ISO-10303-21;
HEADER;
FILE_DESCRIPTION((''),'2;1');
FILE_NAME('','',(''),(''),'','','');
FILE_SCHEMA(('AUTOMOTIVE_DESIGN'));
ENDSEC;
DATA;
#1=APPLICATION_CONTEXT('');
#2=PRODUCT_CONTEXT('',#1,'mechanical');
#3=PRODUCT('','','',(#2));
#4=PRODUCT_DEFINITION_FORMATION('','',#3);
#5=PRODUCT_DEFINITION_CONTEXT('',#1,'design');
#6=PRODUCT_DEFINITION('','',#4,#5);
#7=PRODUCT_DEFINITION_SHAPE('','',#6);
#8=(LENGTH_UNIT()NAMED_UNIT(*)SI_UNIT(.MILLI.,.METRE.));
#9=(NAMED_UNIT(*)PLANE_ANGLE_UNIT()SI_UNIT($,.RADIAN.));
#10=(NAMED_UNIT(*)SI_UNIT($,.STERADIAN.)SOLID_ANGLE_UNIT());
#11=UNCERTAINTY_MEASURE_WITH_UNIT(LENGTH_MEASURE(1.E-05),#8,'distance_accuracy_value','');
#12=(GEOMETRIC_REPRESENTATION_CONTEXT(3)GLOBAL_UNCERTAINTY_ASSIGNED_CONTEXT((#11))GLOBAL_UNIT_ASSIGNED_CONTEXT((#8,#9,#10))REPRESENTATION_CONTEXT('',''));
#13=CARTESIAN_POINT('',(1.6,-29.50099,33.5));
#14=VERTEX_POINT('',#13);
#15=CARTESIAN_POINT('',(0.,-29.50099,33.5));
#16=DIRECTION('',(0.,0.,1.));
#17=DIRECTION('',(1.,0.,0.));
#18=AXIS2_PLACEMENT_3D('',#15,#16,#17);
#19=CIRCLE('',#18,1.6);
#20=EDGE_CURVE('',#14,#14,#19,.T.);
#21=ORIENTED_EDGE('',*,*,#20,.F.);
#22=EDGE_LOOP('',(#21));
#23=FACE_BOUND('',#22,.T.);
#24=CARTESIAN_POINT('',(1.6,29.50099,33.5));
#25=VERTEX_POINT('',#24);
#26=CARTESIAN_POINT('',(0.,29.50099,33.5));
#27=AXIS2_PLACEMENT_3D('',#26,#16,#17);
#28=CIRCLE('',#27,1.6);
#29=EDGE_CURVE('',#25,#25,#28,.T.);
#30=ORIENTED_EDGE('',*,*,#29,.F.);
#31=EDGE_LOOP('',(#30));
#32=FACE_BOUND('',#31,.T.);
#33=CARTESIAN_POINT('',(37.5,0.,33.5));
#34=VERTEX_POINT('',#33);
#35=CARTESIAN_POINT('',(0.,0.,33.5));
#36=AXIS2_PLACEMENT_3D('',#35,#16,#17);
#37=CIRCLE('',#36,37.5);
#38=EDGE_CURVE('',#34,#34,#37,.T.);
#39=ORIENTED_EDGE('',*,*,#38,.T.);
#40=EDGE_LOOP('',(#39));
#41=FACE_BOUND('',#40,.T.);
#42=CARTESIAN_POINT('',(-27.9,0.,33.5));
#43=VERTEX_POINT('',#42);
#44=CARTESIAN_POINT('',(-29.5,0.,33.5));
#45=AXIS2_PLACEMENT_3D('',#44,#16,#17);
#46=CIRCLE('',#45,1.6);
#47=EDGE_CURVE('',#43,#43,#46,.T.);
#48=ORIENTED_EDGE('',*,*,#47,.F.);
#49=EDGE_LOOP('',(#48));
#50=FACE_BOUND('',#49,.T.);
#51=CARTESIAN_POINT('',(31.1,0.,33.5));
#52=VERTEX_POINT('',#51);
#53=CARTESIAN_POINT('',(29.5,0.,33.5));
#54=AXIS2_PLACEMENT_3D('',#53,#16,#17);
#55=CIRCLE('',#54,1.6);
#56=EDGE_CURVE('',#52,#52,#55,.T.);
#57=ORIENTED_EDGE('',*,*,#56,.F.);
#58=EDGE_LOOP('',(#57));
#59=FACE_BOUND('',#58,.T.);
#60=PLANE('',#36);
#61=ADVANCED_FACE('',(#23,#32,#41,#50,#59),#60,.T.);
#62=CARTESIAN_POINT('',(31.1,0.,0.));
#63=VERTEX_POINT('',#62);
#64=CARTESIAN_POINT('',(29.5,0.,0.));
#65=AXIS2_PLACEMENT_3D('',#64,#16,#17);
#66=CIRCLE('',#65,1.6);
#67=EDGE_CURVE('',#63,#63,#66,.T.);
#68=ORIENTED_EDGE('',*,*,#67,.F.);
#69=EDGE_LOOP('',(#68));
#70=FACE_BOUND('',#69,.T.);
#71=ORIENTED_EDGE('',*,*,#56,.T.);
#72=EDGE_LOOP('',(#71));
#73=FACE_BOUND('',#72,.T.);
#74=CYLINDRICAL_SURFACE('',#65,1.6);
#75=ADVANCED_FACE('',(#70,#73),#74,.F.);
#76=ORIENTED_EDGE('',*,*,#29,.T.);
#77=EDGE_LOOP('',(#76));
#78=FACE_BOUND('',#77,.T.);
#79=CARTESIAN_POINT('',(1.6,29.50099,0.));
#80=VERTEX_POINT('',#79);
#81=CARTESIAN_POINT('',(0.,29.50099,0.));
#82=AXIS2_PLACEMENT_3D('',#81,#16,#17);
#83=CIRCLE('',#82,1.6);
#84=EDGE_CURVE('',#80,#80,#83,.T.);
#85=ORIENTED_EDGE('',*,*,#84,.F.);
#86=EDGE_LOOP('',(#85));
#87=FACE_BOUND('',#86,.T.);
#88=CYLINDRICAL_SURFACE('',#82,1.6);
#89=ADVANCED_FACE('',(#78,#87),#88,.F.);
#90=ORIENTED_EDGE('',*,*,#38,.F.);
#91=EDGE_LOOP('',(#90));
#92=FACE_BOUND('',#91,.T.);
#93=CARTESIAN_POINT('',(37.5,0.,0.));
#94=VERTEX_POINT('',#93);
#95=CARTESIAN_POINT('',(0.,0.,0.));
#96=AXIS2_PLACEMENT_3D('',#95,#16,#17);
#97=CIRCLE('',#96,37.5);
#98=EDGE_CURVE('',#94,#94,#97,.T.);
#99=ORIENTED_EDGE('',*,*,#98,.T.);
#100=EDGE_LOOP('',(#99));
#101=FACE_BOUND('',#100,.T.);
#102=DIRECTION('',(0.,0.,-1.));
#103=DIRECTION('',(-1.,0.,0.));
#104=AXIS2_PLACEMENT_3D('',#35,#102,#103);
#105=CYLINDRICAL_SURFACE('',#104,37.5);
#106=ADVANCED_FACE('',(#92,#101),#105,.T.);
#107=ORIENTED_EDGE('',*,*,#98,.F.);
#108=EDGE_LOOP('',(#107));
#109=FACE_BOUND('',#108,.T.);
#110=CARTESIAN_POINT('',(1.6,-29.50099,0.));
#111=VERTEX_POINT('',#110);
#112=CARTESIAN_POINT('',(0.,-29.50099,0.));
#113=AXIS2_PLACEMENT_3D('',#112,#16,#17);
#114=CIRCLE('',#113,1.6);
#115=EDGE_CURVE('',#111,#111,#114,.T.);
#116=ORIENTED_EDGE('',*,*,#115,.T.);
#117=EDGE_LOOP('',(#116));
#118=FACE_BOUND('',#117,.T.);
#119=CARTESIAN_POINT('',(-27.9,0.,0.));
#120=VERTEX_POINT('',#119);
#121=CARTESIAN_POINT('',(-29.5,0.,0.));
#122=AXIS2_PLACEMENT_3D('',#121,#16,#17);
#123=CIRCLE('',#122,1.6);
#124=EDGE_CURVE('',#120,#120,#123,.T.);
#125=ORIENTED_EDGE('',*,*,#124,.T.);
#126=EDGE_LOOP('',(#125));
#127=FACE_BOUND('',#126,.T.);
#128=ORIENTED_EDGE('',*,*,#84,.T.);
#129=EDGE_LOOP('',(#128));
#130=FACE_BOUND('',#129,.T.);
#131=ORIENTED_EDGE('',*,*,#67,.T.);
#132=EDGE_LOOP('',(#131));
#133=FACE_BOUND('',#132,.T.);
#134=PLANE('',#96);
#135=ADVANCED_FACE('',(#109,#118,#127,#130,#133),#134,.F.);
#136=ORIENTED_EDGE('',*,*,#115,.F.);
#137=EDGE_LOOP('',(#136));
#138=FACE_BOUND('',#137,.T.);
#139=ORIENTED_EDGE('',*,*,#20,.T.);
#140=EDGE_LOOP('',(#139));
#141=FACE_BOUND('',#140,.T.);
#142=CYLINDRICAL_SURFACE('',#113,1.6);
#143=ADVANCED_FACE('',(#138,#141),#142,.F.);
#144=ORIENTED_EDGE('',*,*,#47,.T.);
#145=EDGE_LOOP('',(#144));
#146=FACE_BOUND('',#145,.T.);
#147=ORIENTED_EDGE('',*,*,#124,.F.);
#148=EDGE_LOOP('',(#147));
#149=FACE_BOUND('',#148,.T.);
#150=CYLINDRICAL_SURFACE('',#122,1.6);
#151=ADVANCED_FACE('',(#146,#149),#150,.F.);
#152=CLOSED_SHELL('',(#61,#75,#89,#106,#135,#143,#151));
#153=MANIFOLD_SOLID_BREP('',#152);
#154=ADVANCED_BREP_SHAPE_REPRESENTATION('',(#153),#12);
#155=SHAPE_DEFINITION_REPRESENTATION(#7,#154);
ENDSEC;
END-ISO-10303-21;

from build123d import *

# Parameters (mm, degrees)
ESQUISSE1_R             = 37.5
BOSS_EXTRU_1_DEPTH      = 33.5
ESQUISSE2_R             = 1.6
ENL_V_MAT_EXTRU_1_DEPTH = 63.727585638


with BuildPart() as part:
    # Esquisse1 → Boss.-Extru.1 (new body)
    with BuildSketch(Plane.XY):
        Circle(ESQUISSE1_R)
    extrude(amount=BOSS_EXTRU_1_DEPTH)

    # Esquisse2 → Enlèv. mat.-Extru.1 (cut, through all)
    with BuildSketch(Plane.XY.offset(33.5)):
        with Locations((0, 29.500989814)):
            Circle(ESQUISSE2_R)
        with Locations((29.5, 0)):
            Circle(ESQUISSE2_R)
        with Locations((-29.5, 0)):
            Circle(ESQUISSE2_R)
        with Locations((0, -29.500989814)):
            Circle(ESQUISSE2_R)
    extrude(amount=-ENL_V_MAT_EXTRU_1_DEPTH, mode=Mode.SUBTRACT)


solid = part.part
